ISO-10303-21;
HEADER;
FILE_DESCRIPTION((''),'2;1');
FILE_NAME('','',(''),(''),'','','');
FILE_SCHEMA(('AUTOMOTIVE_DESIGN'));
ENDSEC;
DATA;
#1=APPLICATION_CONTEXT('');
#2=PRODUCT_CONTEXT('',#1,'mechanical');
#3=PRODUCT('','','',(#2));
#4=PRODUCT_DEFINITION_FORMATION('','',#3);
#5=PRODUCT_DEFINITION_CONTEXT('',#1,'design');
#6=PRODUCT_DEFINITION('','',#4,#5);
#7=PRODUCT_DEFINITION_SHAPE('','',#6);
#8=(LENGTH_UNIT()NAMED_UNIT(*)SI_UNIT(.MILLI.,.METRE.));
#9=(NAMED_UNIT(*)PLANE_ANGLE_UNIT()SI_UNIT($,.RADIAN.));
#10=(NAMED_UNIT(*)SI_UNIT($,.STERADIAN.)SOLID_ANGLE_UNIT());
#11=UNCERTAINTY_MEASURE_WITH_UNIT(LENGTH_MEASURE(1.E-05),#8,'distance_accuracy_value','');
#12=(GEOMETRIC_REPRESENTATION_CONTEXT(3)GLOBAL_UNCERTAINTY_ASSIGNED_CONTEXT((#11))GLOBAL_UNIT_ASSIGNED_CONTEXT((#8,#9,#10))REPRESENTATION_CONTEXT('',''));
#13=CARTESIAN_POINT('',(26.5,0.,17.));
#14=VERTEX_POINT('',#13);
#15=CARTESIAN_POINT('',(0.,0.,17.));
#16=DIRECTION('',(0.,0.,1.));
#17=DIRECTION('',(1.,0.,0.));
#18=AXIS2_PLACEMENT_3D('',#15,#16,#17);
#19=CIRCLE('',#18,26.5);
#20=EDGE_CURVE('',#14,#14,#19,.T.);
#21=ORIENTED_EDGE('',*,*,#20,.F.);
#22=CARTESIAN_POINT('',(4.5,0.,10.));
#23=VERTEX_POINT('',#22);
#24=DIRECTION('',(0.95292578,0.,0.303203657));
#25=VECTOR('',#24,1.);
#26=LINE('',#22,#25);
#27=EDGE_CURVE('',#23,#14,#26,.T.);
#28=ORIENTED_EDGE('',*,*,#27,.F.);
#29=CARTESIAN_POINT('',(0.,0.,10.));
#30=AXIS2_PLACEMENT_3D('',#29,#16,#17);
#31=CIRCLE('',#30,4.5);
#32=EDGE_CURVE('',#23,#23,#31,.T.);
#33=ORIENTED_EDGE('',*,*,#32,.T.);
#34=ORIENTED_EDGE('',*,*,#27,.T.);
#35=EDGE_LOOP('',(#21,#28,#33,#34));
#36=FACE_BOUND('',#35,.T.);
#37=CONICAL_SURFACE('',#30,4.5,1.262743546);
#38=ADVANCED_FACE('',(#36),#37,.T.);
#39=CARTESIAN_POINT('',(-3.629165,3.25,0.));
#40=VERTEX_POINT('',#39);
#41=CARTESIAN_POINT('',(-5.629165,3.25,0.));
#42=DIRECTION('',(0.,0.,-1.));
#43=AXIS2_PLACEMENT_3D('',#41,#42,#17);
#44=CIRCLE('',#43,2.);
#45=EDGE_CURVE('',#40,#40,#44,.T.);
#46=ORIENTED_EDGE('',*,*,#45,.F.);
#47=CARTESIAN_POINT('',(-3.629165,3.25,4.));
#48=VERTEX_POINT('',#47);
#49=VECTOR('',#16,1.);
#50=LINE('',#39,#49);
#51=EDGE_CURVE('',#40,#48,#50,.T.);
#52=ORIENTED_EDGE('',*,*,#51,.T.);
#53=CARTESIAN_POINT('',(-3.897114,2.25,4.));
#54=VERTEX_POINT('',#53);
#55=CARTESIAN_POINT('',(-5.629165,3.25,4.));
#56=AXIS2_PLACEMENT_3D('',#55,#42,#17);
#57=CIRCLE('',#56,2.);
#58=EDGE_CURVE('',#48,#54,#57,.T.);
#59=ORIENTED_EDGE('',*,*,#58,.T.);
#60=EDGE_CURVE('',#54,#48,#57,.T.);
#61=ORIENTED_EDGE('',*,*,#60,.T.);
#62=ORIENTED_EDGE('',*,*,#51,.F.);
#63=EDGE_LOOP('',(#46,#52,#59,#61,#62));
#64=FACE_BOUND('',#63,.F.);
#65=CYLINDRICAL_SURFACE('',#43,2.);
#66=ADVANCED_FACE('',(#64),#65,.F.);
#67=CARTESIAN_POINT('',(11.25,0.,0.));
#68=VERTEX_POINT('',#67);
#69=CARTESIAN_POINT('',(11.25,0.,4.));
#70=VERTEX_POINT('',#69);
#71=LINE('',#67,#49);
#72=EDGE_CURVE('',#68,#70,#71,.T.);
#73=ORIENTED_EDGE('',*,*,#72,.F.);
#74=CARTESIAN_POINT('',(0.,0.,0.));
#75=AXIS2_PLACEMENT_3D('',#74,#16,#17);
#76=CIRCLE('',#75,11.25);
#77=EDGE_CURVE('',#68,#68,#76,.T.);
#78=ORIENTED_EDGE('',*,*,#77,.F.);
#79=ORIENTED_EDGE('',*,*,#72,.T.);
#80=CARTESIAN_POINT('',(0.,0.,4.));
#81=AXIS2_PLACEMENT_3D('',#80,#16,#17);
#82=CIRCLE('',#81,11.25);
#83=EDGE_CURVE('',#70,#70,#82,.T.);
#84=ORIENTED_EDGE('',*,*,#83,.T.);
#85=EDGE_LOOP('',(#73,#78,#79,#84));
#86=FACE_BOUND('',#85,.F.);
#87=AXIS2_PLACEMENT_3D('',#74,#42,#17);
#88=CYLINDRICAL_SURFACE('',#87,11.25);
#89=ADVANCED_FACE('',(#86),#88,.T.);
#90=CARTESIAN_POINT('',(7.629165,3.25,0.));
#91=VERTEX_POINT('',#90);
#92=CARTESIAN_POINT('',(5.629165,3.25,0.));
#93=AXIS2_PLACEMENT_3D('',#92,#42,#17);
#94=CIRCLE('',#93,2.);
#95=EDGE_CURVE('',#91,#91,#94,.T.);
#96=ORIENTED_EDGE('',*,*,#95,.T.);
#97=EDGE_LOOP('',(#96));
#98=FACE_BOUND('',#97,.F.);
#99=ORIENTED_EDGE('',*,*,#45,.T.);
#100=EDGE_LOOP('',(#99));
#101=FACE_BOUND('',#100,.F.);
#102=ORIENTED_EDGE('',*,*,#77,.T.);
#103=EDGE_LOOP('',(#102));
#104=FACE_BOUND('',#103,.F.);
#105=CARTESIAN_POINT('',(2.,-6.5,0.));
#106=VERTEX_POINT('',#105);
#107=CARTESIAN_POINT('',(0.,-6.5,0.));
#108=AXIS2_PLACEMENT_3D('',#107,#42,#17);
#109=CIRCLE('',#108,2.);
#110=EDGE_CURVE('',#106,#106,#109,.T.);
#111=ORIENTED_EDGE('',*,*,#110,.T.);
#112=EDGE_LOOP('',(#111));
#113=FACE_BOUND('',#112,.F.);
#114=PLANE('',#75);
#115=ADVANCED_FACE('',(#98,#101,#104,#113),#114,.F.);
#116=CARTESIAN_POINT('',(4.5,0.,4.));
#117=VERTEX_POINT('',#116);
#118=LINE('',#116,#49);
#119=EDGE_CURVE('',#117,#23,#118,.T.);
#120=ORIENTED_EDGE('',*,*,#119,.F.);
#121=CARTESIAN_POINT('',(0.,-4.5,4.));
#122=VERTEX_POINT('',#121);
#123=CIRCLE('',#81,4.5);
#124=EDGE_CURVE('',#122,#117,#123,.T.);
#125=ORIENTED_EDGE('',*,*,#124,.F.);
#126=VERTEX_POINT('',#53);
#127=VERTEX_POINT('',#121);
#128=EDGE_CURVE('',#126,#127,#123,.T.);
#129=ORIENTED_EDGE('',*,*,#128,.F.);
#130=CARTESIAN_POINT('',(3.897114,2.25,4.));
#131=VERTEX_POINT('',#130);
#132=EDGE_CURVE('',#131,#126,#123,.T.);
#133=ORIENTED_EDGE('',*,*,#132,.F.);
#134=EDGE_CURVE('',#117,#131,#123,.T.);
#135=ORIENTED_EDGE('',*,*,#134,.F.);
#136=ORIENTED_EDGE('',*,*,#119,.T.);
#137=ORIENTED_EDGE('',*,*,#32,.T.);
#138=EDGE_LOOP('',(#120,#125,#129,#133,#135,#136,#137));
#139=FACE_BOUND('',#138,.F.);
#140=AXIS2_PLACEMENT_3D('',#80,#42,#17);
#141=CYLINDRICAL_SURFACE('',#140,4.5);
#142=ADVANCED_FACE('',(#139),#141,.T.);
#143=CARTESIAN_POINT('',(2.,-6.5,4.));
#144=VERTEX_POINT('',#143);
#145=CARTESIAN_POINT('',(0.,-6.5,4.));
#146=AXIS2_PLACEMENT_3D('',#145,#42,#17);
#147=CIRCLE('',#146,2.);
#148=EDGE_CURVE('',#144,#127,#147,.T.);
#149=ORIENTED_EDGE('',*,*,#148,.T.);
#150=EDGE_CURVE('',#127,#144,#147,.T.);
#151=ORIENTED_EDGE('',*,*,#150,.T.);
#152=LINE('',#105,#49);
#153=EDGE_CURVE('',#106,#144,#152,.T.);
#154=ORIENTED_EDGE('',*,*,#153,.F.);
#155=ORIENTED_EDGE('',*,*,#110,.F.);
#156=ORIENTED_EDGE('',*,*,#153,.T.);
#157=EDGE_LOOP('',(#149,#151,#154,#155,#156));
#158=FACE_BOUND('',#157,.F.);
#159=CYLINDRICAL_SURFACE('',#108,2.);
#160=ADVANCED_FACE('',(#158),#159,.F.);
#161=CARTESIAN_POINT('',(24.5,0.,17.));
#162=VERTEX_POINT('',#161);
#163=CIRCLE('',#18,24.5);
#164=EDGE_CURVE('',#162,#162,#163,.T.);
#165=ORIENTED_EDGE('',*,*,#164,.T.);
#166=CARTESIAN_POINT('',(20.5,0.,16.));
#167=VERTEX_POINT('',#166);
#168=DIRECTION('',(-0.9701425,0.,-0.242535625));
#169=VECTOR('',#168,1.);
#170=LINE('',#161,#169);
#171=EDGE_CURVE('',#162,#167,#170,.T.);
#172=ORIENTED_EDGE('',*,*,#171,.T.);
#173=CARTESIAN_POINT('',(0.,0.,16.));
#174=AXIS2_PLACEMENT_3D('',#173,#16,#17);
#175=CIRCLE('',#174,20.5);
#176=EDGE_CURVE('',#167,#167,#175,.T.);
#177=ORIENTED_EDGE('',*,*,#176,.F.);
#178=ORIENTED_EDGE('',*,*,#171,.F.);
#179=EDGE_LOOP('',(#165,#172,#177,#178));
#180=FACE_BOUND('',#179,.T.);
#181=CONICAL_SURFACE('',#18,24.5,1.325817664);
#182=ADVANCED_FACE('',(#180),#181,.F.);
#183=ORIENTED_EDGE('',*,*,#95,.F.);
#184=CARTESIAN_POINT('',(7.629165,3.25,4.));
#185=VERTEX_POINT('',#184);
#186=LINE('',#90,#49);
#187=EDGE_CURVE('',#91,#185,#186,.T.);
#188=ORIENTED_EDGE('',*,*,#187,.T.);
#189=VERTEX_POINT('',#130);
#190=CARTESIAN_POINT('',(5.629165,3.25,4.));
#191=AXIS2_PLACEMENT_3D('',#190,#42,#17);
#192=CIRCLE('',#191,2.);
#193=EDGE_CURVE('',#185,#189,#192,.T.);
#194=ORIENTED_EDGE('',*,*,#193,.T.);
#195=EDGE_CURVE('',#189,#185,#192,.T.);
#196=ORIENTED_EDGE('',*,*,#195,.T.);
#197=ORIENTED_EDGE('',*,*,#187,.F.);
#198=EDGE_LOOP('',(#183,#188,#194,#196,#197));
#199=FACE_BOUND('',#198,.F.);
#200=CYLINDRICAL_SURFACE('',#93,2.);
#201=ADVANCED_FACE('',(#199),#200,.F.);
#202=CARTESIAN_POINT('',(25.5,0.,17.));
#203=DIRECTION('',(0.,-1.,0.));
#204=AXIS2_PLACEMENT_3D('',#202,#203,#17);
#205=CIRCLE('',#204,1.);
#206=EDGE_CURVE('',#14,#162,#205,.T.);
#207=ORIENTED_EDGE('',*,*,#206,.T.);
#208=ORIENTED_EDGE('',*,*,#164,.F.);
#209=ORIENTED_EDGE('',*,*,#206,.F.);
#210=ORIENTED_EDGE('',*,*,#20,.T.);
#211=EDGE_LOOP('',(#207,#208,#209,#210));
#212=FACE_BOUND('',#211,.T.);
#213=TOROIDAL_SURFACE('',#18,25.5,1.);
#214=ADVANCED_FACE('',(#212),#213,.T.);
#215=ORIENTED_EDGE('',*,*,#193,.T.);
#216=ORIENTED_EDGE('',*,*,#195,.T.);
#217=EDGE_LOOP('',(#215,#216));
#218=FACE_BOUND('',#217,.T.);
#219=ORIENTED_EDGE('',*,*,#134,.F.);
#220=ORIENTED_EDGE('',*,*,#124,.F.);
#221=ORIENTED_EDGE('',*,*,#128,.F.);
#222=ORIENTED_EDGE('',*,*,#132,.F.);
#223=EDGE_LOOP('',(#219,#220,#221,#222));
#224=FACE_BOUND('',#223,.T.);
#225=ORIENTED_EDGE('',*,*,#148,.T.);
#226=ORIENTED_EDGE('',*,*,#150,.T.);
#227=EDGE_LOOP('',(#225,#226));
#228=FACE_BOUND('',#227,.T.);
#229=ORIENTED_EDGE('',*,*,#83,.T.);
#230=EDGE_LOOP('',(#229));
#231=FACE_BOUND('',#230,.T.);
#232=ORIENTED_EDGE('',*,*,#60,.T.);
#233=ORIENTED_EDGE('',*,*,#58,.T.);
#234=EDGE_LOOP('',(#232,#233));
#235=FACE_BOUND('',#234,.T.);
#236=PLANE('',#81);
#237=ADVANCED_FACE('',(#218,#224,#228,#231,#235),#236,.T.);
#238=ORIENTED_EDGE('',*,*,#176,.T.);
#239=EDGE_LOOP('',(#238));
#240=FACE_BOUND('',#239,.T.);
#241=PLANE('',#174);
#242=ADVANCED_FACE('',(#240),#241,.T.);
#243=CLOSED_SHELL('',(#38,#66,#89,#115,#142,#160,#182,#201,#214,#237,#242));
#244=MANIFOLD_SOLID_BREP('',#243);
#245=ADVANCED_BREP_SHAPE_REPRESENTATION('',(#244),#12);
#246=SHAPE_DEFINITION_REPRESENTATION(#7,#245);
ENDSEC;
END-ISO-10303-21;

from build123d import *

# Parameters (mm, degrees)
F0_R     = 11.25
F1_DEPTH = 4
F2_R     = 4.5
F3_DEPTH = 6
F6_R     = 2
F7_DEPTH = 4


with BuildPart() as f1:
    # F0 (on Top) → F1 (new body)
    with BuildSketch(Plane.XY):
        Circle(F0_R)
    extrude(amount=F1_DEPTH)

    # F2 (on face) → F3 (join)
    with BuildSketch(Plane.XY.offset(4)):
        Circle(F2_R)
    extrude(amount=F3_DEPTH)

    # F4 (on Front) → F5 (revolve)
    with BuildSketch(Plane.XZ):
        with BuildLine():
            Line((20.5, 16), (0, 16))
            Line((0, 16), (0, 10))
            Line((0, 10), (4.5, 10))
            Line((4.5, 10), (26.5, 17))
            ThreePointArc((26.5, 17), (25.5, 18), (24.5, 17))
            Line((24.5, 17), (20.5, 16))
        make_face()
    revolve(axis=Axis((0, 0, 19.201497), (0, 0, 1)))

    # F6 (on face) → F7 (cut, through all)
    with BuildSketch(Plane(origin=(0, 0, 0), x_dir=(1, 0, 0), z_dir=(0, 0, -1))):
        with Locations((-5.629165, -3.25)):
            Circle(F6_R)
        with Locations((5.629165, -3.25)):
            Circle(F6_R)
        with Locations((0, 6.5)):
            Circle(F6_R)
    extrude(amount=-F7_DEPTH, mode=Mode.SUBTRACT)


solid = f1.part
